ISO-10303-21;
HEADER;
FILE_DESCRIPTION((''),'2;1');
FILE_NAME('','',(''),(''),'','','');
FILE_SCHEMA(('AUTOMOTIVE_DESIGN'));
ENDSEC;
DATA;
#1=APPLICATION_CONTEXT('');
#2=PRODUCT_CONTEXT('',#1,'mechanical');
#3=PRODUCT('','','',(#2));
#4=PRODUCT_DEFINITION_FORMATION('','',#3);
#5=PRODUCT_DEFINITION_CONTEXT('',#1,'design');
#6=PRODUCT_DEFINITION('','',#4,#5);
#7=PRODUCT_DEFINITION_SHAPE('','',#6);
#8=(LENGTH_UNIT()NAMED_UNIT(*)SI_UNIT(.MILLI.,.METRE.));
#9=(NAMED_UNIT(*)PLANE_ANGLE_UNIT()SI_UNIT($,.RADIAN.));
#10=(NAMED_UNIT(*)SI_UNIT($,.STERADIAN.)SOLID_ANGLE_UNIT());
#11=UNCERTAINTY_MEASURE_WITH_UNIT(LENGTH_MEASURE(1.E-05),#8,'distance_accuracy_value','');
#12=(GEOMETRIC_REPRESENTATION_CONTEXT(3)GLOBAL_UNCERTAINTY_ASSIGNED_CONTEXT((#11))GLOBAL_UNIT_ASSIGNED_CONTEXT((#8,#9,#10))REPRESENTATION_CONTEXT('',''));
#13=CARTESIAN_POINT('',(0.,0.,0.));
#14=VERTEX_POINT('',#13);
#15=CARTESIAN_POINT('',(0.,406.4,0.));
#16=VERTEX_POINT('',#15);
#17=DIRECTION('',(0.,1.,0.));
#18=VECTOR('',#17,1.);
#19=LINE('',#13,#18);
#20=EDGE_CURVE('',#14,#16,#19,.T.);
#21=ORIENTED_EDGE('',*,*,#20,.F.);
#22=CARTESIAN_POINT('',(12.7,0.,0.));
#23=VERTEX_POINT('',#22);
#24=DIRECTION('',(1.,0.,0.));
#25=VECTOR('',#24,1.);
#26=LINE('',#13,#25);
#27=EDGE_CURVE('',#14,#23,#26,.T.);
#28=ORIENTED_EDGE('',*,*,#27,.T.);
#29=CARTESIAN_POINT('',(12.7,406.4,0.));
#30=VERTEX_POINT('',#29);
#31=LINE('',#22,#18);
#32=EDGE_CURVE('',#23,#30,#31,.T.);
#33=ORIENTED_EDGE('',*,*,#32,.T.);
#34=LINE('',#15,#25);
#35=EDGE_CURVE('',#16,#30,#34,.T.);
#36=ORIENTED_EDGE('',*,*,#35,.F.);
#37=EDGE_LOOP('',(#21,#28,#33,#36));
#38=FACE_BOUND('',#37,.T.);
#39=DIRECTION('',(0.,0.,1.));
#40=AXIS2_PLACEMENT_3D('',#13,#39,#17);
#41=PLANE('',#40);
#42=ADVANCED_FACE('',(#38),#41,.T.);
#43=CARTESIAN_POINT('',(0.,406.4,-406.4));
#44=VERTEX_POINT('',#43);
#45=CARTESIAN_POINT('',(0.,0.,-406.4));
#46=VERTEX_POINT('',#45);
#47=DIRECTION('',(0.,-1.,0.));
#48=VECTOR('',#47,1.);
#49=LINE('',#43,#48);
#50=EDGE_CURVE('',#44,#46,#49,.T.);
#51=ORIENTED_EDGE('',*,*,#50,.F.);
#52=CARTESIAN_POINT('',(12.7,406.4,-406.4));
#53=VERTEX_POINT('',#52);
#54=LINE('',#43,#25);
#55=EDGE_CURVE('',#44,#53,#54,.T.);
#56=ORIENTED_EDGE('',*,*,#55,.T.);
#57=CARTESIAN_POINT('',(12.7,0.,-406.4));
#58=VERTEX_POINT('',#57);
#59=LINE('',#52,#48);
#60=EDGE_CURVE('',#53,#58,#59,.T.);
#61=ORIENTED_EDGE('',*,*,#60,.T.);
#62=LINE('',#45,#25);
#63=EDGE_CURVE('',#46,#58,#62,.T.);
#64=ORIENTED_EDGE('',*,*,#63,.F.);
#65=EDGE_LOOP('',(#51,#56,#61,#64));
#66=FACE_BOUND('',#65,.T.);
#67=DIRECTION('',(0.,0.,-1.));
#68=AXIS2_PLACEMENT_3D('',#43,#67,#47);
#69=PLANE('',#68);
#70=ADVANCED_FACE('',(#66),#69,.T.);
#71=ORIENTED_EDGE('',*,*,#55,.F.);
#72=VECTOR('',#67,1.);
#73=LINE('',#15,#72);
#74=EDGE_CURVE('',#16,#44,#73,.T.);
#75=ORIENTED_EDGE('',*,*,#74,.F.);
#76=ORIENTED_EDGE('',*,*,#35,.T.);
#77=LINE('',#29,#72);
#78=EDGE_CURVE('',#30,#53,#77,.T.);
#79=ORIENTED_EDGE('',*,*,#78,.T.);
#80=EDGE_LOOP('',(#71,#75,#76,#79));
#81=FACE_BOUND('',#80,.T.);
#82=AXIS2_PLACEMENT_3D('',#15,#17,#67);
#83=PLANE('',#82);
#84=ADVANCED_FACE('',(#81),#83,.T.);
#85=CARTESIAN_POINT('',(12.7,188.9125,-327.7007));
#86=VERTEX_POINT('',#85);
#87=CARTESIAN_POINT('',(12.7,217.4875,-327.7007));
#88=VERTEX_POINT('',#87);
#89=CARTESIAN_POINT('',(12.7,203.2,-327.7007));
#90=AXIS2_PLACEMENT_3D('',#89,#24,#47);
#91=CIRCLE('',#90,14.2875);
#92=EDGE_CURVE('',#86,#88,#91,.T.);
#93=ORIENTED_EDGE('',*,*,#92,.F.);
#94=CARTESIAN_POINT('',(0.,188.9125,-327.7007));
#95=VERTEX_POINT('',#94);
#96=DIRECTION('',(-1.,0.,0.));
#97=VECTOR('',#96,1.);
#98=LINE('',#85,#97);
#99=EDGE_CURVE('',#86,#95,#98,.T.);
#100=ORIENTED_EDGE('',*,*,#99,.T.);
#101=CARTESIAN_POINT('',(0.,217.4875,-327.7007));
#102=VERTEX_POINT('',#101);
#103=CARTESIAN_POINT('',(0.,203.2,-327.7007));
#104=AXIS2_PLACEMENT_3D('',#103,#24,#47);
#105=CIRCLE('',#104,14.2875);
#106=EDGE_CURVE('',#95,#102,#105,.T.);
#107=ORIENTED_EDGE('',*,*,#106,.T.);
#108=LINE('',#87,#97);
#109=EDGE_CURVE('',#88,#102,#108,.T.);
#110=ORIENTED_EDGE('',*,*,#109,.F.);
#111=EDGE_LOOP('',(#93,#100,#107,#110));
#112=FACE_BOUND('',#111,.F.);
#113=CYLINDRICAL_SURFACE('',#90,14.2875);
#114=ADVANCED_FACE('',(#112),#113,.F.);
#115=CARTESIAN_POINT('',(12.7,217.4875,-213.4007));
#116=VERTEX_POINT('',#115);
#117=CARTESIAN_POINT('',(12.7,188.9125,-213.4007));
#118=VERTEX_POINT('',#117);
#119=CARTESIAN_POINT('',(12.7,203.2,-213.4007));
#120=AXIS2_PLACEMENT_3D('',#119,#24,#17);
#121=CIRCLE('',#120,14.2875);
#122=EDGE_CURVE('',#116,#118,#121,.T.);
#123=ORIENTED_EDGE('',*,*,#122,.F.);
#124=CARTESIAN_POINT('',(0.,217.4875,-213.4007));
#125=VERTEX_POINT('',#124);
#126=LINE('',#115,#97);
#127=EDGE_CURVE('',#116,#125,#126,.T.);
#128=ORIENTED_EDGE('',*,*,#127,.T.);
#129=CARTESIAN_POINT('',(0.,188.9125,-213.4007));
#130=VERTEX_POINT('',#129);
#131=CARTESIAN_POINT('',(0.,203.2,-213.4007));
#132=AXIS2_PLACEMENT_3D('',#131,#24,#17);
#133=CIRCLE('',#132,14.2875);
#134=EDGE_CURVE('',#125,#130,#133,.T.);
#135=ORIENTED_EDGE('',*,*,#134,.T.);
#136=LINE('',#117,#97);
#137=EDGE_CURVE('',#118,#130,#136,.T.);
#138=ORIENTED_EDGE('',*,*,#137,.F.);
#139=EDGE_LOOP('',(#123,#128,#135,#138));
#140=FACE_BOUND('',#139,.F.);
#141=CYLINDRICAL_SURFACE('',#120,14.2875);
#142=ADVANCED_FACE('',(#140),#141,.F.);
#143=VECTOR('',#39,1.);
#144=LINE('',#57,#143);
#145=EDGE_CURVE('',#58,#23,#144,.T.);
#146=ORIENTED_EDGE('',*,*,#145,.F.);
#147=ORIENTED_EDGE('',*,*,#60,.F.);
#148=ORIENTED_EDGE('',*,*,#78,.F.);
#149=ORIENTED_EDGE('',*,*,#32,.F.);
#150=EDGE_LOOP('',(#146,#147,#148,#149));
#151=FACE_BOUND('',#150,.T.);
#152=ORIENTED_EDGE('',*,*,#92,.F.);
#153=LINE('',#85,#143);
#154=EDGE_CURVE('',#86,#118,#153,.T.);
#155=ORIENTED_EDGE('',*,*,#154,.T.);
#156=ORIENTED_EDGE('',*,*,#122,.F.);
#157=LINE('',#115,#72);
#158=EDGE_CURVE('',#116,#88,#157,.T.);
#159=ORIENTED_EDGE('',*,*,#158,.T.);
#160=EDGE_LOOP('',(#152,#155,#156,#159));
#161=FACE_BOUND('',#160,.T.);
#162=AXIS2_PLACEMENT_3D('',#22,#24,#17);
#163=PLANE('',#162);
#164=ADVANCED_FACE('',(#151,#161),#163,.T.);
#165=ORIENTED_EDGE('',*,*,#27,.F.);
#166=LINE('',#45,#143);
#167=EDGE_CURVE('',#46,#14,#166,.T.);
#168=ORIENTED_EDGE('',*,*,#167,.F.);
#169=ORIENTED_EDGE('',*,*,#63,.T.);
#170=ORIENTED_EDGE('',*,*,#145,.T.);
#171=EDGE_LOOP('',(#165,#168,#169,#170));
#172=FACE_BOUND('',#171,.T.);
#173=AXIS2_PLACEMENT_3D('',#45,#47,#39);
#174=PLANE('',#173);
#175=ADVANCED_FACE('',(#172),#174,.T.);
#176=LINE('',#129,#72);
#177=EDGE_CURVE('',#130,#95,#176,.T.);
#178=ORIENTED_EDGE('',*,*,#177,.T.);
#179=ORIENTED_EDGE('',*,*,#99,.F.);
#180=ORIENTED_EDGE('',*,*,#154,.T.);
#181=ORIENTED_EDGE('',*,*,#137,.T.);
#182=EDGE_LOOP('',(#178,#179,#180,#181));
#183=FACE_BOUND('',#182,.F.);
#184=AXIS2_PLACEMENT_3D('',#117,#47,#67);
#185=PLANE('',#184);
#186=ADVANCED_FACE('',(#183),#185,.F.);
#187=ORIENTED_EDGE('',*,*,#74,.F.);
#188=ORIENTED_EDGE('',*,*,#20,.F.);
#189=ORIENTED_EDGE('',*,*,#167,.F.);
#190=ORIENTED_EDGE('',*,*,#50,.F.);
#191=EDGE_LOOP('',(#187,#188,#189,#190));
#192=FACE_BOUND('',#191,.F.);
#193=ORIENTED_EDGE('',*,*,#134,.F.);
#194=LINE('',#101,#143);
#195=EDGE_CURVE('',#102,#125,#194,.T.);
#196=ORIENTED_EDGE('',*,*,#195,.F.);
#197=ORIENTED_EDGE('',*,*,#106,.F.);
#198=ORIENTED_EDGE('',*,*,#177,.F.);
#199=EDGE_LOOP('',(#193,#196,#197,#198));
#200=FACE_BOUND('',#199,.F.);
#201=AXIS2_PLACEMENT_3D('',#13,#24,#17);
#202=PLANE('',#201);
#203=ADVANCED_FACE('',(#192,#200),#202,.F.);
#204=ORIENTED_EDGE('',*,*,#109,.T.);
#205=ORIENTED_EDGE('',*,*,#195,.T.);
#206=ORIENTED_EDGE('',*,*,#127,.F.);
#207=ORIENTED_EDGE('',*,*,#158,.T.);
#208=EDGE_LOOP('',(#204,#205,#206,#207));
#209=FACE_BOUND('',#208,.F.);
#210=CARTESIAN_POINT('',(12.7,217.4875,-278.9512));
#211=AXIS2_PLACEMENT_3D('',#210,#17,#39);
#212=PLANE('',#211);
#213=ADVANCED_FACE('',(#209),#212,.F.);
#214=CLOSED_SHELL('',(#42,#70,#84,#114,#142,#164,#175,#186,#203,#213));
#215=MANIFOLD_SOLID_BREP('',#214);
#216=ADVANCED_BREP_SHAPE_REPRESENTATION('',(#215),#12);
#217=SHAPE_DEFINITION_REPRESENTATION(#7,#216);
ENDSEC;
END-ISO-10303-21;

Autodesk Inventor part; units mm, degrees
ref_plane "YZ Plane" through (0, 0, 0) normal (1, 0, 0) x (0, 1, 0)
ref_plane "XZ Plane" through (0, 0, 0) normal (0, 1, 0) x (-1, 0, 0)
ref_plane "XY Plane" through (0, 0, 0) normal (0, 0, 1) x (1, 0, 0)
sketch "Sketch1" plane through (0, 0, 0) normal (1, 0, 0) x (0, 1, 0)
  line L0 (0, 0) -> (406.4, 0)
  line L1 (406.4, 0) -> (406.4, -406.4)
  line L2 (406.4, -406.4) -> (0, -406.4)
  line L3 (0, -406.4) -> (0, 0)
  dimension "d0" = 406.4
  dimension "d1" = 406.4
extrude "Extrusion1" add sketch "Sketch1" along normal blind 12.7
sketch "Sketch2" plane through (12.7, 0, 0) normal (1, 0, 0) x (0, 0, -1)
  arc A0 (253.151, 217.4875) -> (253.151, 188.9125) centre (133.35, 203.2) ccw
  arc A1 (278.9512, 188.9125) -> (278.9512, 217.4875) centre (327.7007, 203.2) ccw
  line L0 (0, 406.4) -> (0, 0) projected
  line L1 (406.4, 406.4) -> (0, 406.4) projected
  line L2 (327.7007, 203.2) -> (213.4007, 203.2) construction
  line L3 (327.7007, 217.4875) -> (213.4007, 217.4875)
  line L4 (213.4007, 188.9125) -> (327.7007, 188.9125)
  arc A2 (327.7007, 188.9125) -> (327.7007, 217.4875) centre (327.7007, 203.2) ccw
  arc A3 (213.4007, 217.4875) -> (213.4007, 188.9125) centre (213.4007, 203.2) ccw
  point P0 (270.5507, 203.2)
  dimension "d4" = 241.3
  dimension "d5" = 101.6
  dimension "d6" = 133.35
  dimension "d7" = 12.7
  dimension "d8" = 203.2
  dimension "d9" = 203.2
  dimension "d10" = 114.3
  dimension "d11" = 28.575
extrude "Extrusion2" cut sketch "Sketch2" against normal blind 25.4 contours L3 A2 L4 A3
properties part number "Prototype Panel2"
